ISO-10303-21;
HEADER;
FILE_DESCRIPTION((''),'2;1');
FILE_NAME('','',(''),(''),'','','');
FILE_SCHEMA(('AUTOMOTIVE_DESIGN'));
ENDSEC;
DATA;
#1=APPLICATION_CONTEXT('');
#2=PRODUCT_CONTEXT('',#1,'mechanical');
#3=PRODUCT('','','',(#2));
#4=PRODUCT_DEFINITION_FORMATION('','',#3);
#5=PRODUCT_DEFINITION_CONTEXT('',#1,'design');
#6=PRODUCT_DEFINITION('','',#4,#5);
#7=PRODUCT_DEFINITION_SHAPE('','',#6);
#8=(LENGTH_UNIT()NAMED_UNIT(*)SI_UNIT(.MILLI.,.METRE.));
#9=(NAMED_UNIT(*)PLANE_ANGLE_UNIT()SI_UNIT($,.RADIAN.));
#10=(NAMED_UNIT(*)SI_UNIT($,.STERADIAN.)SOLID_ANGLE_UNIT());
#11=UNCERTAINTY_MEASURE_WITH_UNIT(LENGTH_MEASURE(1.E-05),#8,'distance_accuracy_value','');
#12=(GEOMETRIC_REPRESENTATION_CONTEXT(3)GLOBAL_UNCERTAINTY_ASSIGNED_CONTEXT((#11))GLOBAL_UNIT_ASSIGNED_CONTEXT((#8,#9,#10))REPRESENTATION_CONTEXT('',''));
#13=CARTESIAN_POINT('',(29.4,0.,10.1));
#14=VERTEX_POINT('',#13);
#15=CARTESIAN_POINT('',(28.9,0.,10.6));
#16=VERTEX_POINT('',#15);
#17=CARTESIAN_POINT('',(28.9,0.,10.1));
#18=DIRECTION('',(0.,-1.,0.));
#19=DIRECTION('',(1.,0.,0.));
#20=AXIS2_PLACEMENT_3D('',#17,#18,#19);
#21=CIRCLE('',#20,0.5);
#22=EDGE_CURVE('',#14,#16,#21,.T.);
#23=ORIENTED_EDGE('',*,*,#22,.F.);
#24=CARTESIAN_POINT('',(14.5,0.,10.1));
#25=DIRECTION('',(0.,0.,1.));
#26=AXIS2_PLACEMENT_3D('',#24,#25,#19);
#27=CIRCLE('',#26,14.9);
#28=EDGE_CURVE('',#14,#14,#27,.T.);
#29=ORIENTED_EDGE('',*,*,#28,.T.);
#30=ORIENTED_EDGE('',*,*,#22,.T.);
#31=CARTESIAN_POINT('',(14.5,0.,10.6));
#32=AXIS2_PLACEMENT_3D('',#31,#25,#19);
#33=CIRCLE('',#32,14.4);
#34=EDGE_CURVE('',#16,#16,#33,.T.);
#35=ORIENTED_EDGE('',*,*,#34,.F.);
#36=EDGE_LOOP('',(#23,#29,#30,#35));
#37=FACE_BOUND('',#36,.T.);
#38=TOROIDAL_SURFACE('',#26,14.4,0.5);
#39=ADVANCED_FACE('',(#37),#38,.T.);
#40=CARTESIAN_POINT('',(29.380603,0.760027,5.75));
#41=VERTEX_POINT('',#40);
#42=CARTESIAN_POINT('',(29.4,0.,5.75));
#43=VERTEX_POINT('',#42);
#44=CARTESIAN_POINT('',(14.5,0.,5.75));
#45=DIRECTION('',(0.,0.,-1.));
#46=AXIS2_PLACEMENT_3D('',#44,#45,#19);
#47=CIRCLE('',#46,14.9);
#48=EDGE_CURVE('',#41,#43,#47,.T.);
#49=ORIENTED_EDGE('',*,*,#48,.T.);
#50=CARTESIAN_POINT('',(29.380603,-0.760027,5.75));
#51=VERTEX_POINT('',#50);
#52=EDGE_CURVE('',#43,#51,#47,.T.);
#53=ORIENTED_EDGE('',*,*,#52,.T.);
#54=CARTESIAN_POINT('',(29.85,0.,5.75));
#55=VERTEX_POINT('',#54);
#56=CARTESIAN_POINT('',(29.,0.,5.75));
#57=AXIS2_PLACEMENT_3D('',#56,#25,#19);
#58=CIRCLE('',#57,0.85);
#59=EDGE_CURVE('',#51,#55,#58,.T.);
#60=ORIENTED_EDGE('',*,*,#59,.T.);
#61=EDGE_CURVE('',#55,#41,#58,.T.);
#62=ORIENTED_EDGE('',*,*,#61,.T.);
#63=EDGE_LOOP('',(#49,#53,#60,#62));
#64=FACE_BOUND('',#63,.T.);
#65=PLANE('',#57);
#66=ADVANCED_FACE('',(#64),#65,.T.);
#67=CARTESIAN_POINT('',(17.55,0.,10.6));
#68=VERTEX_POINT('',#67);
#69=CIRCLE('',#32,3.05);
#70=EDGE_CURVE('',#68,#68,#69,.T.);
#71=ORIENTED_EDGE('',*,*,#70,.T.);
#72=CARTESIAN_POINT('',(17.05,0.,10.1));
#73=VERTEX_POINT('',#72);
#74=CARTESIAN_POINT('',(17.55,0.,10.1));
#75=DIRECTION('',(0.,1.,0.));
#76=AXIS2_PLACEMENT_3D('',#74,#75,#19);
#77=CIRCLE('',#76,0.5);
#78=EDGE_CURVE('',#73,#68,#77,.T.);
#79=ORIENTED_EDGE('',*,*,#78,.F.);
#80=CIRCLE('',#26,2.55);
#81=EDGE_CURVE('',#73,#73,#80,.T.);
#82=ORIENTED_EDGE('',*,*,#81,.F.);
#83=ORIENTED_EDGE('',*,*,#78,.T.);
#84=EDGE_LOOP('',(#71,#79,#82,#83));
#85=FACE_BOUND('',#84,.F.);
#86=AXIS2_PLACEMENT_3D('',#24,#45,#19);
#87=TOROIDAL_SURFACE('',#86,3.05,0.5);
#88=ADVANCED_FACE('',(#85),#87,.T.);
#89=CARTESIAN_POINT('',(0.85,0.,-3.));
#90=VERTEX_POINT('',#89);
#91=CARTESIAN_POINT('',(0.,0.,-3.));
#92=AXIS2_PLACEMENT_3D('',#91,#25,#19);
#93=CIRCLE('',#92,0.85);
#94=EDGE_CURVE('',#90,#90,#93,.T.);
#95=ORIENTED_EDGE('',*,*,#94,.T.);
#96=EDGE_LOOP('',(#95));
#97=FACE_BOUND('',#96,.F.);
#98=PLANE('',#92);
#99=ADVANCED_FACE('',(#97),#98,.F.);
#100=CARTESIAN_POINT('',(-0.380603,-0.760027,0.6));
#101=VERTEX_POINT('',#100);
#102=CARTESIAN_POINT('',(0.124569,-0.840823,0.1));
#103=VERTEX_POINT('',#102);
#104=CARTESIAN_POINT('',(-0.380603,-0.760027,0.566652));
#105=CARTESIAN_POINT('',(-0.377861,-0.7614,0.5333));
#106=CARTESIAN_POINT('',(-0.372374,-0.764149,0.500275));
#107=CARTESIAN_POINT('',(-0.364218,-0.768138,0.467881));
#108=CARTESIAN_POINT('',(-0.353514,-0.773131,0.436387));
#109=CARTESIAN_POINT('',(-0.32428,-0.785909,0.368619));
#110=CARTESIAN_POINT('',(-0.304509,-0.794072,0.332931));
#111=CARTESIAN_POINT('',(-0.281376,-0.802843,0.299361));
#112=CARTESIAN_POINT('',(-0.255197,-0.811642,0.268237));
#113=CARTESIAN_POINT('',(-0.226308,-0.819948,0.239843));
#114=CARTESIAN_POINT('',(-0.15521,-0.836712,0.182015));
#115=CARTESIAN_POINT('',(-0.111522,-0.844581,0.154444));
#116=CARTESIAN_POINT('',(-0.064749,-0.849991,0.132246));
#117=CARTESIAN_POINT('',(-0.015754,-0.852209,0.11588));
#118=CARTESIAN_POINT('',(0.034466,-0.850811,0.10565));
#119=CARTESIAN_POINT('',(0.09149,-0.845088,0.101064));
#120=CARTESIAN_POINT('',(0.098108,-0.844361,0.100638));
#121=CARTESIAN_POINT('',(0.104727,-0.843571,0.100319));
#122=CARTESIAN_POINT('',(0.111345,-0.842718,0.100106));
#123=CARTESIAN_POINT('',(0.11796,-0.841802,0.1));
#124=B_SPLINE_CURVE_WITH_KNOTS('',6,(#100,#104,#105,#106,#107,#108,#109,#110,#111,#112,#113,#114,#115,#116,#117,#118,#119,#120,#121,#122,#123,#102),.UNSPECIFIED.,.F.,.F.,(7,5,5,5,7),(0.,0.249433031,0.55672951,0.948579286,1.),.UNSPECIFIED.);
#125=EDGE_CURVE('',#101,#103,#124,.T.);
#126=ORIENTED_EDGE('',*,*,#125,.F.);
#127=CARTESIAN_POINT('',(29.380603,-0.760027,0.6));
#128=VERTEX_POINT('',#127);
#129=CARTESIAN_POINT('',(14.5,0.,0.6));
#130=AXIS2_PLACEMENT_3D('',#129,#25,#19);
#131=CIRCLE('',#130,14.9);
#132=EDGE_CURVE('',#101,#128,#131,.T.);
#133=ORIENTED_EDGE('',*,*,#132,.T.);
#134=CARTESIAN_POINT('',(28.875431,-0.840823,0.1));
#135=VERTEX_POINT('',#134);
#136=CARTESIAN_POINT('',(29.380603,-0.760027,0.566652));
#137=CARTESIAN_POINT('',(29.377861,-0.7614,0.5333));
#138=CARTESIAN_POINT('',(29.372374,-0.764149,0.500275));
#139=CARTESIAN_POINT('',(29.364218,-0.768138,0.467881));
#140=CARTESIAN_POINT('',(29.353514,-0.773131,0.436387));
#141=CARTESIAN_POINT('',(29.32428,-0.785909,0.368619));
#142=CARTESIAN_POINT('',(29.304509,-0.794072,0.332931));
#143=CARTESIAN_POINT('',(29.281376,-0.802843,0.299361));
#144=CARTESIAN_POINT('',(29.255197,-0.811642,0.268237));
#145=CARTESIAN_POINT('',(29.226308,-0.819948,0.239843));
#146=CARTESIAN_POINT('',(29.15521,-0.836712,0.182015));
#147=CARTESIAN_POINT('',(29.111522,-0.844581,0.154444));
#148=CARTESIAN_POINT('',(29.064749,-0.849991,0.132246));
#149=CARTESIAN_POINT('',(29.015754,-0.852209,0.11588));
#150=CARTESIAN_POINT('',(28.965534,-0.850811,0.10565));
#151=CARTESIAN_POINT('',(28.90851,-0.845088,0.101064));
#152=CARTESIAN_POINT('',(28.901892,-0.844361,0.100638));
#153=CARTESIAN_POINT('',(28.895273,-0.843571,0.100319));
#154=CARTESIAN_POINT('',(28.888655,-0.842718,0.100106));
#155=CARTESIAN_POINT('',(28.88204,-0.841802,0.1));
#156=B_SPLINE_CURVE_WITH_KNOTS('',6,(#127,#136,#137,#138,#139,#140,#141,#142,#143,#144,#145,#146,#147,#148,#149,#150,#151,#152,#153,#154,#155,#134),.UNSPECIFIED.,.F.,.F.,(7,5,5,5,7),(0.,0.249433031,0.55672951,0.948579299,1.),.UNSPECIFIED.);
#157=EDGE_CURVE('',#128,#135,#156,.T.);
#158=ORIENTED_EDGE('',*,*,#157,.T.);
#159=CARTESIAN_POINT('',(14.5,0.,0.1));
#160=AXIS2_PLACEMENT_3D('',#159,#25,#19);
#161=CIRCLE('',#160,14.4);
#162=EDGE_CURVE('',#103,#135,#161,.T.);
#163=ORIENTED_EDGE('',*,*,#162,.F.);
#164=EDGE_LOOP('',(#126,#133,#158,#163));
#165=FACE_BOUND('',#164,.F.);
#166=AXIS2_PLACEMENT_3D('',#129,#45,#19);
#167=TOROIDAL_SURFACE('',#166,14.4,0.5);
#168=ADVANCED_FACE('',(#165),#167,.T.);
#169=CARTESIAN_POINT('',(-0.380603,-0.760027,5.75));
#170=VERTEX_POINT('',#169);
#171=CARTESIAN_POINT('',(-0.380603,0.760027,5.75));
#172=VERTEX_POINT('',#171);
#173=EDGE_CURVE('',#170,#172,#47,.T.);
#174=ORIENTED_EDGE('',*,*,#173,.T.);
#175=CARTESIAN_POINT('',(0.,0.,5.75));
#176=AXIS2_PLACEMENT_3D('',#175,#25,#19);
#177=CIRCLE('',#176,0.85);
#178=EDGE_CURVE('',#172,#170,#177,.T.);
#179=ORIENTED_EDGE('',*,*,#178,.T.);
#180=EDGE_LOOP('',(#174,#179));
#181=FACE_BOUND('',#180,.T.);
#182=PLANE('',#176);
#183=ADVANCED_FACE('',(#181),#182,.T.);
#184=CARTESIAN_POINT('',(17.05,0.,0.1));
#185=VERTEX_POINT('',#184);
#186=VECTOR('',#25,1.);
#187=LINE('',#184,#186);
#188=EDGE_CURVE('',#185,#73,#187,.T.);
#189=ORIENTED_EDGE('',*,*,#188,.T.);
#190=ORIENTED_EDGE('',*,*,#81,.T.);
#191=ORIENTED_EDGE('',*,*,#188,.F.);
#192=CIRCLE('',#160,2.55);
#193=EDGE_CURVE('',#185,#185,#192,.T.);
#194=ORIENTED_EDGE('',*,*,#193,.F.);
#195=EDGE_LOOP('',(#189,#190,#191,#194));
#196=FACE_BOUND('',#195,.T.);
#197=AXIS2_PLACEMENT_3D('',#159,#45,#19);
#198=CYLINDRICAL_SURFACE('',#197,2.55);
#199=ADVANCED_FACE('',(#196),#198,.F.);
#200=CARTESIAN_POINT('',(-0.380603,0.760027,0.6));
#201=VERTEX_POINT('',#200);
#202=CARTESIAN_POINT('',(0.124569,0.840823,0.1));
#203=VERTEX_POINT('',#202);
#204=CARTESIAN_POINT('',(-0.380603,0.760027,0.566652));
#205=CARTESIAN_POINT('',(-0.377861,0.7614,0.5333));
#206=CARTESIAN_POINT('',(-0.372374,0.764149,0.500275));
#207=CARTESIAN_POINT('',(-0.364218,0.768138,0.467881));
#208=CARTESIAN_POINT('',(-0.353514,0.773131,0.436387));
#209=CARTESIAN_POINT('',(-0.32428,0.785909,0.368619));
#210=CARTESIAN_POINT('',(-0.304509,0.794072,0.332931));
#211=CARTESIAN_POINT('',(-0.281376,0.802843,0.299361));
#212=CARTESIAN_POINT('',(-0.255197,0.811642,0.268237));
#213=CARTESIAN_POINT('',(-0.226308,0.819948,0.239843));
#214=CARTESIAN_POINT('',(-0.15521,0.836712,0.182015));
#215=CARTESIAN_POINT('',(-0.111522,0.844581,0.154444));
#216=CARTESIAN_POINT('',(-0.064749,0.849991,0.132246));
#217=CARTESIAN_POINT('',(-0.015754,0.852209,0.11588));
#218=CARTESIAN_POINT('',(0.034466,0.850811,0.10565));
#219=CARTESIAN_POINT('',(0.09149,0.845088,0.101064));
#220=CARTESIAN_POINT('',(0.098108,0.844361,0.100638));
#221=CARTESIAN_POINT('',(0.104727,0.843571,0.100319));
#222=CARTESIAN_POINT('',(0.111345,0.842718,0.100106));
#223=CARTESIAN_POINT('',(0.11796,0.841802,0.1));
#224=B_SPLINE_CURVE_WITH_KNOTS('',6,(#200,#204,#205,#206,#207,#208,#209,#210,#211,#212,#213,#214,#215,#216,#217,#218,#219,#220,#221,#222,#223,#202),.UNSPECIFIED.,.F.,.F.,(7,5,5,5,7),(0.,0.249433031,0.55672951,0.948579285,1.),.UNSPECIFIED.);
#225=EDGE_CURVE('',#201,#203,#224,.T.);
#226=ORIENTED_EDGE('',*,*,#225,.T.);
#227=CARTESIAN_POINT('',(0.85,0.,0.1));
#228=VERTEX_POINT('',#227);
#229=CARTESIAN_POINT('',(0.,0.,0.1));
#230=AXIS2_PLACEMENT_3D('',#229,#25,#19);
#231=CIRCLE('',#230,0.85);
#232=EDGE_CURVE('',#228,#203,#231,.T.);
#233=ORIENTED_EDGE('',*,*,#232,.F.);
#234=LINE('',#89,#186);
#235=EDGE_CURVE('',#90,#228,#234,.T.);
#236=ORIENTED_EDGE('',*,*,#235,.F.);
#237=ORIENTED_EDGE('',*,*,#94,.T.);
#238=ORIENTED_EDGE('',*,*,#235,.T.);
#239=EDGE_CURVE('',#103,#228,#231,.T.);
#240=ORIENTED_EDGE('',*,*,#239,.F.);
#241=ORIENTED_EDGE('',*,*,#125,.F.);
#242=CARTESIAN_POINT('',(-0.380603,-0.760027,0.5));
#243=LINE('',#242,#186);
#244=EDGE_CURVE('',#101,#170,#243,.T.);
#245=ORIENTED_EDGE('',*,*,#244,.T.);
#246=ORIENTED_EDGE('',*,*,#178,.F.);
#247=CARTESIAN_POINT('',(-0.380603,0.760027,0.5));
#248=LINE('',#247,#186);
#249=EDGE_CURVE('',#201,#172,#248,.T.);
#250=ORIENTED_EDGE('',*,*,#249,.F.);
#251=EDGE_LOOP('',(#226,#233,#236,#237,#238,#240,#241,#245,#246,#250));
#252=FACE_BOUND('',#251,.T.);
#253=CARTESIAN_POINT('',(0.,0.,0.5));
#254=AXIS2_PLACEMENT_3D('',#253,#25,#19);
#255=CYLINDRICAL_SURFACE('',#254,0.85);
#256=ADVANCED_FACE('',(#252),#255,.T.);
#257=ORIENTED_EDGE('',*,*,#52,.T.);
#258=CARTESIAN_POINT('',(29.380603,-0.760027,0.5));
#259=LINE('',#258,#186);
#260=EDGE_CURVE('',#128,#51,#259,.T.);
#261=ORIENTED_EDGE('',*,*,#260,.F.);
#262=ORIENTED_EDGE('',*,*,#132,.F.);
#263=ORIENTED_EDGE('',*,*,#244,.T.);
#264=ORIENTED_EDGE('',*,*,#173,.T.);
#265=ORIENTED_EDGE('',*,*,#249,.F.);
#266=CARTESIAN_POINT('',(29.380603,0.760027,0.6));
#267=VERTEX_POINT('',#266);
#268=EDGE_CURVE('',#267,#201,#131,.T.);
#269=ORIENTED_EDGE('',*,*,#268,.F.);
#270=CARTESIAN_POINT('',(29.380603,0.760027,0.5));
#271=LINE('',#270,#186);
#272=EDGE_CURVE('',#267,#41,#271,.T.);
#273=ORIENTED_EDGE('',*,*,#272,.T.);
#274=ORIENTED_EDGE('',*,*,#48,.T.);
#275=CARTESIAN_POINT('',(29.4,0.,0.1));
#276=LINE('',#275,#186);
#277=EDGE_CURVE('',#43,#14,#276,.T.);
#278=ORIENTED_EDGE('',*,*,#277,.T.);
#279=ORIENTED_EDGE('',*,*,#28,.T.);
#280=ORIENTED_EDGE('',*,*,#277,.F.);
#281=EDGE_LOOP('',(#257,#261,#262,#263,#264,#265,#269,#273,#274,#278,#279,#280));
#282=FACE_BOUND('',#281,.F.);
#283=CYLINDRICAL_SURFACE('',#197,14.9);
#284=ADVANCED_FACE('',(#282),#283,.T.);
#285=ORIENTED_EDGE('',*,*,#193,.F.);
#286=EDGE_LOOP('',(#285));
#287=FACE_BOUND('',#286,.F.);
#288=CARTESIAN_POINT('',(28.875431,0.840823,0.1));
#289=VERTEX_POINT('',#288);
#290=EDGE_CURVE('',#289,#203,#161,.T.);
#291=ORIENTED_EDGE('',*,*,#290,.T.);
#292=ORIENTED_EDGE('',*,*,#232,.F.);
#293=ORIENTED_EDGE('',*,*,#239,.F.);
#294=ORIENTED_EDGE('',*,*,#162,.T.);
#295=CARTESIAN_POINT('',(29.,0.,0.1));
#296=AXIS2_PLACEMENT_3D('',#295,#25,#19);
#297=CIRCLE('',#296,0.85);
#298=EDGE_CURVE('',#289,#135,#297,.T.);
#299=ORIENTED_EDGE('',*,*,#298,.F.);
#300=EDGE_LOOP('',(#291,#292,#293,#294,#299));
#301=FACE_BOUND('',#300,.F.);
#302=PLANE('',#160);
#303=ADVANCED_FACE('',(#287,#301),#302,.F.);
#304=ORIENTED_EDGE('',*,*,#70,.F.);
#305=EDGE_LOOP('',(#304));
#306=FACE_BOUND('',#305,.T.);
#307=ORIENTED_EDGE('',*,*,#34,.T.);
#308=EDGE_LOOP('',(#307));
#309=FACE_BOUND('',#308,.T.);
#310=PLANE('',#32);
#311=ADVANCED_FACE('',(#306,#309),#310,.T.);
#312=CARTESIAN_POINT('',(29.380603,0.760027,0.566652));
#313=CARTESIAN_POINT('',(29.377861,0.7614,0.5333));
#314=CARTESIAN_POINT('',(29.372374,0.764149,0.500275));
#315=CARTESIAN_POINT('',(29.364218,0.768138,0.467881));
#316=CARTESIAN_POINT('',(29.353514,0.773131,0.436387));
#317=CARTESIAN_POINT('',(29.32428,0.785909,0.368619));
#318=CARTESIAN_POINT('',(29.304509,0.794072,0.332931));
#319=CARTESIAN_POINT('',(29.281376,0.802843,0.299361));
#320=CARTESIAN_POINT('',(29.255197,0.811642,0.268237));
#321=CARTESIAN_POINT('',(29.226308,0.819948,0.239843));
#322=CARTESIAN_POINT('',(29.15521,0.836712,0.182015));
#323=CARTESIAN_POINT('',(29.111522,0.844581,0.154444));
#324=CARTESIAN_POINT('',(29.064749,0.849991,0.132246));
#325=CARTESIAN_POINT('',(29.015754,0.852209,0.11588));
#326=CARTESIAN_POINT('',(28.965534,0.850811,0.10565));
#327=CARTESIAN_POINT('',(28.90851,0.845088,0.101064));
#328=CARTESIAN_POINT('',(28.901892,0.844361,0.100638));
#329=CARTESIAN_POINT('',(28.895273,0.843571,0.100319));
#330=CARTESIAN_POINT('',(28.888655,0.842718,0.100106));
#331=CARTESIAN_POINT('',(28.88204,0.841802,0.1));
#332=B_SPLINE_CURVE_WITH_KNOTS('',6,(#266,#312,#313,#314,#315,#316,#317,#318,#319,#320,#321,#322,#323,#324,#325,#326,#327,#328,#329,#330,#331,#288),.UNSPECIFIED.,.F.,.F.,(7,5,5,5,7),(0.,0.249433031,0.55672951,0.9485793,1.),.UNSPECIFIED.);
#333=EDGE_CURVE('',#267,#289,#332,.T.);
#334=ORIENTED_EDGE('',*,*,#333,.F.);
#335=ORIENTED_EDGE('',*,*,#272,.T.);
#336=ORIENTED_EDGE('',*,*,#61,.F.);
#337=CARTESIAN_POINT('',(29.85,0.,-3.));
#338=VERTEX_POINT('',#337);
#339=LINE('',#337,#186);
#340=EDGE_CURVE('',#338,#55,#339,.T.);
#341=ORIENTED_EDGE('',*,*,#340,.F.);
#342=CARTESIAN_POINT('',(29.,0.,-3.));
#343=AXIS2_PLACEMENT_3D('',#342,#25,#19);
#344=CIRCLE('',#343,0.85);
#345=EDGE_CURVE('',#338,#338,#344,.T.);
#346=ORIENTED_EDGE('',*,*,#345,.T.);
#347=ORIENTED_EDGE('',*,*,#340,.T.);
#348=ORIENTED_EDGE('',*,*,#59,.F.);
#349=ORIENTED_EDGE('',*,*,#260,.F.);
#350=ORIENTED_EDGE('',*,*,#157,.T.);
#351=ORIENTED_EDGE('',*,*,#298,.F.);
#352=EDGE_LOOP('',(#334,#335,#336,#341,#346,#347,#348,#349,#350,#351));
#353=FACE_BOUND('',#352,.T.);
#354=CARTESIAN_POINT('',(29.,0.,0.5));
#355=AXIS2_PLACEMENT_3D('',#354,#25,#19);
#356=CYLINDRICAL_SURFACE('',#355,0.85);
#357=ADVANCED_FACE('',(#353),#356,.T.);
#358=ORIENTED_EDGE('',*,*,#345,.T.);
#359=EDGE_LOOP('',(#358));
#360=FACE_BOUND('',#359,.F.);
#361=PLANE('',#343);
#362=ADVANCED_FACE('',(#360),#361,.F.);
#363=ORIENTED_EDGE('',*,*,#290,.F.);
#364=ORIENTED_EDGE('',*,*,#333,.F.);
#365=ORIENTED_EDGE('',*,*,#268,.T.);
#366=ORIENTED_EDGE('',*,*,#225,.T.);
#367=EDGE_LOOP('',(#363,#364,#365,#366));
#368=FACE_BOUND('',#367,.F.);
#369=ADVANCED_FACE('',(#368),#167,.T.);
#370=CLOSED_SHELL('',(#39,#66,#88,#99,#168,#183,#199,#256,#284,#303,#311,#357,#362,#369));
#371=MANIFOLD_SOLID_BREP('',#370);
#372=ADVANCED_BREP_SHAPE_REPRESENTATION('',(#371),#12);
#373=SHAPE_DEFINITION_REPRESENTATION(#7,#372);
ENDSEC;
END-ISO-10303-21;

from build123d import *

# Parameters (mm, degrees)
SKETCH_R          = 14.9
SKETCH_R_2        = 2.55
PAD_DEPTH         = 10.5
FILLET_R          = 0.5
SKETCH001_R       = 0.85
PAD001_DEPTH      = 5.25
PAD001_DEPTH_BACK = 3.5


with BuildPart() as fillet_body:
    # Sketch → Pad (new body)
    with BuildSketch(Plane.XY.offset(0.1)):
        with Locations((14.5, 0)):
            Circle(SKETCH_R)
        with Locations((14.5, 0)):
            Circle(SKETCH_R_2, mode=Mode.SUBTRACT)
    extrude(amount=PAD_DEPTH)

    # Fillet
    fillet_edges = [fillet_body.edges().sort_by_distance(p)[0] for p in [
        (11.95, 0, 10.6),
        (-0.4, 0, 10.6),
        (-0.4, 0, 0.1),
    ]]
    fillet(fillet_edges, radius=FILLET_R)


with BuildPart() as pad001_mp_cp:
    # Sketch001 → Pad001 (new body, two sides)
    with BuildSketch(Plane.XY.offset(0.5)) as pad001_sk:
        Circle(SKETCH001_R)
        with Locations((29, 0)):
            Circle(SKETCH001_R)
    extrude(amount=PAD001_DEPTH)
    extrude(pad001_sk.sketch, amount=-PAD001_DEPTH_BACK)

    # Pad001_mp_cp: union Fillet body
    add(fillet_body.part)


solid = pad001_mp_cp.part
